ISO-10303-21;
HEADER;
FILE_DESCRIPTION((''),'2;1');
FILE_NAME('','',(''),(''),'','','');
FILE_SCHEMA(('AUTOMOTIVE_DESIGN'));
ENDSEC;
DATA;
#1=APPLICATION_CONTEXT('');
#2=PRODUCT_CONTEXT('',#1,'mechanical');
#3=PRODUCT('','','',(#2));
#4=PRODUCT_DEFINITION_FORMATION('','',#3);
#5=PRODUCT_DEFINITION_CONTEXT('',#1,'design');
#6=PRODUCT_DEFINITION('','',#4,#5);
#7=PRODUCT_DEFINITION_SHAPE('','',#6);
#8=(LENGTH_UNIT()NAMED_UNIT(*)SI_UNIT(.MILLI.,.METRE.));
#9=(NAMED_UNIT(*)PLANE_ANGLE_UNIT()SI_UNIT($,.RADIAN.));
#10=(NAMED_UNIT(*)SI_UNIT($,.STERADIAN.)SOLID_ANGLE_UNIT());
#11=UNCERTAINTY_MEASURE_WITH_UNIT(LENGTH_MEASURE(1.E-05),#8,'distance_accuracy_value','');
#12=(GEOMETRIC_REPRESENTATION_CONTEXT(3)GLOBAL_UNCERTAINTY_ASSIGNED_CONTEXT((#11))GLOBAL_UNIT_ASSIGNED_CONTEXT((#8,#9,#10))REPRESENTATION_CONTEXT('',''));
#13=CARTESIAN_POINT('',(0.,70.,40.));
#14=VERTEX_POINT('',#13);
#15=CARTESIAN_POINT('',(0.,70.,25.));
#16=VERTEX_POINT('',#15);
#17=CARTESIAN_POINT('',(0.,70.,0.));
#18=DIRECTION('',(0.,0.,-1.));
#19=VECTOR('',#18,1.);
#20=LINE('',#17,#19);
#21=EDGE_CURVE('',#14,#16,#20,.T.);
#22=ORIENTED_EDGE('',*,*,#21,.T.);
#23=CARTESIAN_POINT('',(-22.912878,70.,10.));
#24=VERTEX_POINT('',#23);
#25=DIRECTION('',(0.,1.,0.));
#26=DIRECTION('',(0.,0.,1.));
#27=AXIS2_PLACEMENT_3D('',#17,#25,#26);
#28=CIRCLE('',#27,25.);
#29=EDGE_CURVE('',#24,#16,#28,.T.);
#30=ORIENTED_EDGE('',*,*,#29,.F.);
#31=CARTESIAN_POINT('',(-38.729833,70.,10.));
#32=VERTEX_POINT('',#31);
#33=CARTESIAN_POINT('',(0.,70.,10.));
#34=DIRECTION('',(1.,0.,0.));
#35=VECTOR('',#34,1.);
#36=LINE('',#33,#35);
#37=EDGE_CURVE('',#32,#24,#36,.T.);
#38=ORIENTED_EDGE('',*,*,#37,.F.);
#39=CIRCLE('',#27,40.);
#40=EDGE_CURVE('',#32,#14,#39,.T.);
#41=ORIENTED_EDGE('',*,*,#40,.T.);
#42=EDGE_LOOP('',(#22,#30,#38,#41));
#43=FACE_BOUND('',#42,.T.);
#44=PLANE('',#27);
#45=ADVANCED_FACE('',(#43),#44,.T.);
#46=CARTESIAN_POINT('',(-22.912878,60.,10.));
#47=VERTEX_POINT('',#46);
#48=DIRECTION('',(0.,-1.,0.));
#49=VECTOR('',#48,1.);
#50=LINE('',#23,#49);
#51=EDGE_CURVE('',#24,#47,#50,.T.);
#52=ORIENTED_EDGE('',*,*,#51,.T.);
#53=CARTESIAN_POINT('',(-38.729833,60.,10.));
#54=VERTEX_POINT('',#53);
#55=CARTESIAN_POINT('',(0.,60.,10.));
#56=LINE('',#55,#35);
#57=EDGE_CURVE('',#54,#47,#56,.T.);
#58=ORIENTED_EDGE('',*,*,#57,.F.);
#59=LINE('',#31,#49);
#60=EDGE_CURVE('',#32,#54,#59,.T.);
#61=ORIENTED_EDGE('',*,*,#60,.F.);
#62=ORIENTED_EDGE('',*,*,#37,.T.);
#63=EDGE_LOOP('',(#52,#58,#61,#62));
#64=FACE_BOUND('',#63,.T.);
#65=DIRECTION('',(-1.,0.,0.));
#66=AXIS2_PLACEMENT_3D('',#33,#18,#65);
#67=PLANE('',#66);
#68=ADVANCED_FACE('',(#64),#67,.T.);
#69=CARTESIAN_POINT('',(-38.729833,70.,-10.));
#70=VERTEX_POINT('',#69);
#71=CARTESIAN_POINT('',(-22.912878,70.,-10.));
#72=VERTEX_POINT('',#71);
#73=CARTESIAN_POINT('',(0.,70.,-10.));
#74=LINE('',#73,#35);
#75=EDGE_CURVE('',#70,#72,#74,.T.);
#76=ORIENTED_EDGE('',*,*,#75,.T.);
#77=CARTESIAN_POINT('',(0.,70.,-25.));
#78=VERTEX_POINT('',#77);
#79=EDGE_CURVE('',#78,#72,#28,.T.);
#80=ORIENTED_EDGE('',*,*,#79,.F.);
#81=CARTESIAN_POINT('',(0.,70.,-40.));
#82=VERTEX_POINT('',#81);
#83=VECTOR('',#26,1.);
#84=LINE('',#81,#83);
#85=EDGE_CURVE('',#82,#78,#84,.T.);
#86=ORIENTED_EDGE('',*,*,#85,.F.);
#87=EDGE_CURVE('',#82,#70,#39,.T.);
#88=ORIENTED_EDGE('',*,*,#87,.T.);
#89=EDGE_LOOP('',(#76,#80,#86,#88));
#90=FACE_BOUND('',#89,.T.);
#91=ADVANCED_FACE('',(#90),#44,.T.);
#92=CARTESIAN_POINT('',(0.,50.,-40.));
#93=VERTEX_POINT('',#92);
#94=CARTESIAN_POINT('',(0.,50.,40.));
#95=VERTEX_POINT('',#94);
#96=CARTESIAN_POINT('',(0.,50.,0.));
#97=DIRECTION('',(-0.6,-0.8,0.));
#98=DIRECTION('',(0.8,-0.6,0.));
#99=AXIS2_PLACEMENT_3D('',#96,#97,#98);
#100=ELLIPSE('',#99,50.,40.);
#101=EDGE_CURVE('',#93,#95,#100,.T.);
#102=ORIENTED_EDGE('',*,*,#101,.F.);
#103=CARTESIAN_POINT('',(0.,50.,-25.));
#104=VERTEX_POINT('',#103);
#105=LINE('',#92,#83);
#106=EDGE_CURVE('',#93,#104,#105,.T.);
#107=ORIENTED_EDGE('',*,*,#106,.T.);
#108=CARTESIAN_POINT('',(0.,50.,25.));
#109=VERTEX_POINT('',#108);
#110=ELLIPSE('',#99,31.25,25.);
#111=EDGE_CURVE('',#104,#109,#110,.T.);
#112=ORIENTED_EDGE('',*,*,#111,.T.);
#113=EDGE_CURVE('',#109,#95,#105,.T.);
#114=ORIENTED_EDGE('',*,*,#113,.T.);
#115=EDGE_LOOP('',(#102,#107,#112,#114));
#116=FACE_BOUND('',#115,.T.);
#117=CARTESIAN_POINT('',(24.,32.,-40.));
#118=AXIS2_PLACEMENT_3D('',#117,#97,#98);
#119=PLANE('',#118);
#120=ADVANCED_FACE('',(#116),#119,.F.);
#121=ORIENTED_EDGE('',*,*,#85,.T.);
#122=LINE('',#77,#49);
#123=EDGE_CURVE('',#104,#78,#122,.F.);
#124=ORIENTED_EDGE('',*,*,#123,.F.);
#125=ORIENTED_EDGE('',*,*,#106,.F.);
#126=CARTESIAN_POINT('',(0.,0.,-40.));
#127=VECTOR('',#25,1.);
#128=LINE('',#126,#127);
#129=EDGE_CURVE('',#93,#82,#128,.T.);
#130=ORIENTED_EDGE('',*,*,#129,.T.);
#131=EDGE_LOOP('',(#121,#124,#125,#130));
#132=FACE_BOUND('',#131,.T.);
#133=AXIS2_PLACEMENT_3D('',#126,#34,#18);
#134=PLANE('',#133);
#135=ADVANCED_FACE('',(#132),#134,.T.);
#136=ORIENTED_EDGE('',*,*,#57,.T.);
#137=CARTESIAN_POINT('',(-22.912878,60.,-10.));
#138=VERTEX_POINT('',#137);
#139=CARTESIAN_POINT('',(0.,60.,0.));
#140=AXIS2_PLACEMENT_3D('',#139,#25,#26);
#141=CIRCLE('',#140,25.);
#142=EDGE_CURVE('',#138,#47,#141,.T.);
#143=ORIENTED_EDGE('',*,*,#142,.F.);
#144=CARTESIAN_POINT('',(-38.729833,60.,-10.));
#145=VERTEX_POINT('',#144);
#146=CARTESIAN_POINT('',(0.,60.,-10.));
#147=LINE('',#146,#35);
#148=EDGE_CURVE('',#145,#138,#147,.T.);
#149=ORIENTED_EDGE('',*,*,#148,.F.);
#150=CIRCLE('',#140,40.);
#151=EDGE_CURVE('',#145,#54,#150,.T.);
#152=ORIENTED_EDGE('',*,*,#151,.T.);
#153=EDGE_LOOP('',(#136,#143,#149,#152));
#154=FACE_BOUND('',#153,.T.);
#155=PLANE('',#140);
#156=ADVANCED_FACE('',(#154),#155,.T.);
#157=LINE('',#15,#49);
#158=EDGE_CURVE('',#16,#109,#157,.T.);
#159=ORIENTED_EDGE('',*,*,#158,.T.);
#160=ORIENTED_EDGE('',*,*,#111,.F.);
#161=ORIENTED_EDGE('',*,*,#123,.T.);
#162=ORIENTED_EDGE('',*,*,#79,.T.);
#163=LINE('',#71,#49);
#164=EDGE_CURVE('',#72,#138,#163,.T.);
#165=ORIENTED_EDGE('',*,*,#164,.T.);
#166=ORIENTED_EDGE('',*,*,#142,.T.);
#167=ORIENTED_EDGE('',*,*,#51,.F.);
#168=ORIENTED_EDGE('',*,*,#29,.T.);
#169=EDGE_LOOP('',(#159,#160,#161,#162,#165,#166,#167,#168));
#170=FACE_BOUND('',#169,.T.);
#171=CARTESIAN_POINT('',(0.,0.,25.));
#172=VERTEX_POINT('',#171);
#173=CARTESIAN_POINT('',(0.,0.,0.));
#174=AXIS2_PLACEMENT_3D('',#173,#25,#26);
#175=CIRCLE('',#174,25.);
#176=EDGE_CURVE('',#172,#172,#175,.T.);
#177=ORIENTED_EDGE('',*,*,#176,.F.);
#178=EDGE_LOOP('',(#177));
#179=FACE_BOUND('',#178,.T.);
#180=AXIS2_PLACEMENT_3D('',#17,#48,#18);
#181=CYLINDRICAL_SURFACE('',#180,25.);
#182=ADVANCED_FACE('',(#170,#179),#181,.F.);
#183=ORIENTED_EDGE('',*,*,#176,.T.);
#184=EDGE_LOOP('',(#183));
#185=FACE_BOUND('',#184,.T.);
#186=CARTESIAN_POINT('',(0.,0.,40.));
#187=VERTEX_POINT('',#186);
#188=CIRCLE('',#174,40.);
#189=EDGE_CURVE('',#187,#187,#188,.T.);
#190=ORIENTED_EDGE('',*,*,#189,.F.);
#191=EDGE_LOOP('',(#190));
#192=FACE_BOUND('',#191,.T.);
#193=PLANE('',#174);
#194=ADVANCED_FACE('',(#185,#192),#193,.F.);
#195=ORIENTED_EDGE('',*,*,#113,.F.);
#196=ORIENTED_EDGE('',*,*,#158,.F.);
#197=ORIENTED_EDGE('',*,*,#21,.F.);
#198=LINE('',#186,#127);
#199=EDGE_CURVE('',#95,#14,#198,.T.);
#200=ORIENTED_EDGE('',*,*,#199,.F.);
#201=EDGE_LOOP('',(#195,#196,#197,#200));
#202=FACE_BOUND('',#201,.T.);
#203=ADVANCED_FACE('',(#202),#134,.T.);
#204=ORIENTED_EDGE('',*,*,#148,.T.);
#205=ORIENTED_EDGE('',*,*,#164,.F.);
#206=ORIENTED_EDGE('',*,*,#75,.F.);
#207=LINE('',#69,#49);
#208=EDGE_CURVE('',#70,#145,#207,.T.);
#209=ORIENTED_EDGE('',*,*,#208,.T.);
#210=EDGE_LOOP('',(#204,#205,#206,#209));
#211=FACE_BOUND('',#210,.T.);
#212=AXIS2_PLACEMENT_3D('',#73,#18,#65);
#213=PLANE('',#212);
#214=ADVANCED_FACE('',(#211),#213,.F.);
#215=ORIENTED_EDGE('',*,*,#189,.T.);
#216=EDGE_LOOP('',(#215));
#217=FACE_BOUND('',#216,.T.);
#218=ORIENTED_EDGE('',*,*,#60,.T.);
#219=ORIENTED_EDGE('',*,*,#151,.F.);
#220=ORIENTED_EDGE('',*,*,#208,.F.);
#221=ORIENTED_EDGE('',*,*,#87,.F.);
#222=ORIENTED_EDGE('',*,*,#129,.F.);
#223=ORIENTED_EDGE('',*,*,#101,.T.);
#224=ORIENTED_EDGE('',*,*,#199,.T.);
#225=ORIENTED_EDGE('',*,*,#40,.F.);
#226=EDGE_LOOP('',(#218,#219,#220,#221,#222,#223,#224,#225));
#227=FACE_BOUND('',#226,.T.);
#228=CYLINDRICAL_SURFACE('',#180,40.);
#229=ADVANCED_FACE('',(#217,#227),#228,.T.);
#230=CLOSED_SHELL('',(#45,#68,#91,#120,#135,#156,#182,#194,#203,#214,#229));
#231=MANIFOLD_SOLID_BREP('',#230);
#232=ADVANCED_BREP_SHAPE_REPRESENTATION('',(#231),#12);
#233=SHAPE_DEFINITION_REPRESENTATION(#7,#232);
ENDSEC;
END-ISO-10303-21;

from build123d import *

# Parameters (mm, degrees)
BOSS_EXTRUDE1_DEPTH     = 70
BOSS_EXTRUDE2_DEPTH     = 60
CUT_EXTRUDE1_DEPTH      = 91
CUT_EXTRUDE1_DEPTH_BACK = 91


with BuildPart() as part:
    # Sketch1 → Boss-Extrude1 (new body)
    with BuildSketch(Plane(origin=(0, 0, 0), x_dir=(1, 0, 0), z_dir=(0, 1, 0))):
        with BuildLine():
            Line((-38.729833462, 10), (-22.912878475, 10))
            ThreePointArc((-22.912878475, 10), (25, 0), (-22.912878475, -10))
            Line((-22.912878475, -10), (-38.729833462, -10))
            ThreePointArc((-38.729833462, -10), (40, 0), (-38.729833462, 10))
        make_face()
    extrude(amount=BOSS_EXTRUDE1_DEPTH)

    # Sketch1<3> → Boss-Extrude2 (add)
    with BuildSketch(Plane(origin=(0, 0, 0), x_dir=(1, 0, 0), z_dir=(0, 1, 0))):
        with BuildLine():
            Line((-22.912878475, 10), (-38.729833462, 10))
            ThreePointArc((-38.729833462, 10), (-40, 0), (-38.729833462, -10))
            Line((-38.729833462, -10), (-22.912878475, -10))
            ThreePointArc((-22.912878475, -10), (-25, 0), (-22.912878475, 10))
        make_face()
    extrude(amount=BOSS_EXTRUDE2_DEPTH)

    # Sketch4 → Cut-Extrude1 (cut, two sides: drawn at the far end of the back side and taken through both)
    with BuildSketch(Plane.XY.offset(-CUT_EXTRUDE1_DEPTH_BACK)):
        Polygon((0, 70), (0, 50), (40, 20), (40, 70), align=None)
    extrude(amount=CUT_EXTRUDE1_DEPTH + CUT_EXTRUDE1_DEPTH_BACK, mode=Mode.SUBTRACT)


solid = part.part
